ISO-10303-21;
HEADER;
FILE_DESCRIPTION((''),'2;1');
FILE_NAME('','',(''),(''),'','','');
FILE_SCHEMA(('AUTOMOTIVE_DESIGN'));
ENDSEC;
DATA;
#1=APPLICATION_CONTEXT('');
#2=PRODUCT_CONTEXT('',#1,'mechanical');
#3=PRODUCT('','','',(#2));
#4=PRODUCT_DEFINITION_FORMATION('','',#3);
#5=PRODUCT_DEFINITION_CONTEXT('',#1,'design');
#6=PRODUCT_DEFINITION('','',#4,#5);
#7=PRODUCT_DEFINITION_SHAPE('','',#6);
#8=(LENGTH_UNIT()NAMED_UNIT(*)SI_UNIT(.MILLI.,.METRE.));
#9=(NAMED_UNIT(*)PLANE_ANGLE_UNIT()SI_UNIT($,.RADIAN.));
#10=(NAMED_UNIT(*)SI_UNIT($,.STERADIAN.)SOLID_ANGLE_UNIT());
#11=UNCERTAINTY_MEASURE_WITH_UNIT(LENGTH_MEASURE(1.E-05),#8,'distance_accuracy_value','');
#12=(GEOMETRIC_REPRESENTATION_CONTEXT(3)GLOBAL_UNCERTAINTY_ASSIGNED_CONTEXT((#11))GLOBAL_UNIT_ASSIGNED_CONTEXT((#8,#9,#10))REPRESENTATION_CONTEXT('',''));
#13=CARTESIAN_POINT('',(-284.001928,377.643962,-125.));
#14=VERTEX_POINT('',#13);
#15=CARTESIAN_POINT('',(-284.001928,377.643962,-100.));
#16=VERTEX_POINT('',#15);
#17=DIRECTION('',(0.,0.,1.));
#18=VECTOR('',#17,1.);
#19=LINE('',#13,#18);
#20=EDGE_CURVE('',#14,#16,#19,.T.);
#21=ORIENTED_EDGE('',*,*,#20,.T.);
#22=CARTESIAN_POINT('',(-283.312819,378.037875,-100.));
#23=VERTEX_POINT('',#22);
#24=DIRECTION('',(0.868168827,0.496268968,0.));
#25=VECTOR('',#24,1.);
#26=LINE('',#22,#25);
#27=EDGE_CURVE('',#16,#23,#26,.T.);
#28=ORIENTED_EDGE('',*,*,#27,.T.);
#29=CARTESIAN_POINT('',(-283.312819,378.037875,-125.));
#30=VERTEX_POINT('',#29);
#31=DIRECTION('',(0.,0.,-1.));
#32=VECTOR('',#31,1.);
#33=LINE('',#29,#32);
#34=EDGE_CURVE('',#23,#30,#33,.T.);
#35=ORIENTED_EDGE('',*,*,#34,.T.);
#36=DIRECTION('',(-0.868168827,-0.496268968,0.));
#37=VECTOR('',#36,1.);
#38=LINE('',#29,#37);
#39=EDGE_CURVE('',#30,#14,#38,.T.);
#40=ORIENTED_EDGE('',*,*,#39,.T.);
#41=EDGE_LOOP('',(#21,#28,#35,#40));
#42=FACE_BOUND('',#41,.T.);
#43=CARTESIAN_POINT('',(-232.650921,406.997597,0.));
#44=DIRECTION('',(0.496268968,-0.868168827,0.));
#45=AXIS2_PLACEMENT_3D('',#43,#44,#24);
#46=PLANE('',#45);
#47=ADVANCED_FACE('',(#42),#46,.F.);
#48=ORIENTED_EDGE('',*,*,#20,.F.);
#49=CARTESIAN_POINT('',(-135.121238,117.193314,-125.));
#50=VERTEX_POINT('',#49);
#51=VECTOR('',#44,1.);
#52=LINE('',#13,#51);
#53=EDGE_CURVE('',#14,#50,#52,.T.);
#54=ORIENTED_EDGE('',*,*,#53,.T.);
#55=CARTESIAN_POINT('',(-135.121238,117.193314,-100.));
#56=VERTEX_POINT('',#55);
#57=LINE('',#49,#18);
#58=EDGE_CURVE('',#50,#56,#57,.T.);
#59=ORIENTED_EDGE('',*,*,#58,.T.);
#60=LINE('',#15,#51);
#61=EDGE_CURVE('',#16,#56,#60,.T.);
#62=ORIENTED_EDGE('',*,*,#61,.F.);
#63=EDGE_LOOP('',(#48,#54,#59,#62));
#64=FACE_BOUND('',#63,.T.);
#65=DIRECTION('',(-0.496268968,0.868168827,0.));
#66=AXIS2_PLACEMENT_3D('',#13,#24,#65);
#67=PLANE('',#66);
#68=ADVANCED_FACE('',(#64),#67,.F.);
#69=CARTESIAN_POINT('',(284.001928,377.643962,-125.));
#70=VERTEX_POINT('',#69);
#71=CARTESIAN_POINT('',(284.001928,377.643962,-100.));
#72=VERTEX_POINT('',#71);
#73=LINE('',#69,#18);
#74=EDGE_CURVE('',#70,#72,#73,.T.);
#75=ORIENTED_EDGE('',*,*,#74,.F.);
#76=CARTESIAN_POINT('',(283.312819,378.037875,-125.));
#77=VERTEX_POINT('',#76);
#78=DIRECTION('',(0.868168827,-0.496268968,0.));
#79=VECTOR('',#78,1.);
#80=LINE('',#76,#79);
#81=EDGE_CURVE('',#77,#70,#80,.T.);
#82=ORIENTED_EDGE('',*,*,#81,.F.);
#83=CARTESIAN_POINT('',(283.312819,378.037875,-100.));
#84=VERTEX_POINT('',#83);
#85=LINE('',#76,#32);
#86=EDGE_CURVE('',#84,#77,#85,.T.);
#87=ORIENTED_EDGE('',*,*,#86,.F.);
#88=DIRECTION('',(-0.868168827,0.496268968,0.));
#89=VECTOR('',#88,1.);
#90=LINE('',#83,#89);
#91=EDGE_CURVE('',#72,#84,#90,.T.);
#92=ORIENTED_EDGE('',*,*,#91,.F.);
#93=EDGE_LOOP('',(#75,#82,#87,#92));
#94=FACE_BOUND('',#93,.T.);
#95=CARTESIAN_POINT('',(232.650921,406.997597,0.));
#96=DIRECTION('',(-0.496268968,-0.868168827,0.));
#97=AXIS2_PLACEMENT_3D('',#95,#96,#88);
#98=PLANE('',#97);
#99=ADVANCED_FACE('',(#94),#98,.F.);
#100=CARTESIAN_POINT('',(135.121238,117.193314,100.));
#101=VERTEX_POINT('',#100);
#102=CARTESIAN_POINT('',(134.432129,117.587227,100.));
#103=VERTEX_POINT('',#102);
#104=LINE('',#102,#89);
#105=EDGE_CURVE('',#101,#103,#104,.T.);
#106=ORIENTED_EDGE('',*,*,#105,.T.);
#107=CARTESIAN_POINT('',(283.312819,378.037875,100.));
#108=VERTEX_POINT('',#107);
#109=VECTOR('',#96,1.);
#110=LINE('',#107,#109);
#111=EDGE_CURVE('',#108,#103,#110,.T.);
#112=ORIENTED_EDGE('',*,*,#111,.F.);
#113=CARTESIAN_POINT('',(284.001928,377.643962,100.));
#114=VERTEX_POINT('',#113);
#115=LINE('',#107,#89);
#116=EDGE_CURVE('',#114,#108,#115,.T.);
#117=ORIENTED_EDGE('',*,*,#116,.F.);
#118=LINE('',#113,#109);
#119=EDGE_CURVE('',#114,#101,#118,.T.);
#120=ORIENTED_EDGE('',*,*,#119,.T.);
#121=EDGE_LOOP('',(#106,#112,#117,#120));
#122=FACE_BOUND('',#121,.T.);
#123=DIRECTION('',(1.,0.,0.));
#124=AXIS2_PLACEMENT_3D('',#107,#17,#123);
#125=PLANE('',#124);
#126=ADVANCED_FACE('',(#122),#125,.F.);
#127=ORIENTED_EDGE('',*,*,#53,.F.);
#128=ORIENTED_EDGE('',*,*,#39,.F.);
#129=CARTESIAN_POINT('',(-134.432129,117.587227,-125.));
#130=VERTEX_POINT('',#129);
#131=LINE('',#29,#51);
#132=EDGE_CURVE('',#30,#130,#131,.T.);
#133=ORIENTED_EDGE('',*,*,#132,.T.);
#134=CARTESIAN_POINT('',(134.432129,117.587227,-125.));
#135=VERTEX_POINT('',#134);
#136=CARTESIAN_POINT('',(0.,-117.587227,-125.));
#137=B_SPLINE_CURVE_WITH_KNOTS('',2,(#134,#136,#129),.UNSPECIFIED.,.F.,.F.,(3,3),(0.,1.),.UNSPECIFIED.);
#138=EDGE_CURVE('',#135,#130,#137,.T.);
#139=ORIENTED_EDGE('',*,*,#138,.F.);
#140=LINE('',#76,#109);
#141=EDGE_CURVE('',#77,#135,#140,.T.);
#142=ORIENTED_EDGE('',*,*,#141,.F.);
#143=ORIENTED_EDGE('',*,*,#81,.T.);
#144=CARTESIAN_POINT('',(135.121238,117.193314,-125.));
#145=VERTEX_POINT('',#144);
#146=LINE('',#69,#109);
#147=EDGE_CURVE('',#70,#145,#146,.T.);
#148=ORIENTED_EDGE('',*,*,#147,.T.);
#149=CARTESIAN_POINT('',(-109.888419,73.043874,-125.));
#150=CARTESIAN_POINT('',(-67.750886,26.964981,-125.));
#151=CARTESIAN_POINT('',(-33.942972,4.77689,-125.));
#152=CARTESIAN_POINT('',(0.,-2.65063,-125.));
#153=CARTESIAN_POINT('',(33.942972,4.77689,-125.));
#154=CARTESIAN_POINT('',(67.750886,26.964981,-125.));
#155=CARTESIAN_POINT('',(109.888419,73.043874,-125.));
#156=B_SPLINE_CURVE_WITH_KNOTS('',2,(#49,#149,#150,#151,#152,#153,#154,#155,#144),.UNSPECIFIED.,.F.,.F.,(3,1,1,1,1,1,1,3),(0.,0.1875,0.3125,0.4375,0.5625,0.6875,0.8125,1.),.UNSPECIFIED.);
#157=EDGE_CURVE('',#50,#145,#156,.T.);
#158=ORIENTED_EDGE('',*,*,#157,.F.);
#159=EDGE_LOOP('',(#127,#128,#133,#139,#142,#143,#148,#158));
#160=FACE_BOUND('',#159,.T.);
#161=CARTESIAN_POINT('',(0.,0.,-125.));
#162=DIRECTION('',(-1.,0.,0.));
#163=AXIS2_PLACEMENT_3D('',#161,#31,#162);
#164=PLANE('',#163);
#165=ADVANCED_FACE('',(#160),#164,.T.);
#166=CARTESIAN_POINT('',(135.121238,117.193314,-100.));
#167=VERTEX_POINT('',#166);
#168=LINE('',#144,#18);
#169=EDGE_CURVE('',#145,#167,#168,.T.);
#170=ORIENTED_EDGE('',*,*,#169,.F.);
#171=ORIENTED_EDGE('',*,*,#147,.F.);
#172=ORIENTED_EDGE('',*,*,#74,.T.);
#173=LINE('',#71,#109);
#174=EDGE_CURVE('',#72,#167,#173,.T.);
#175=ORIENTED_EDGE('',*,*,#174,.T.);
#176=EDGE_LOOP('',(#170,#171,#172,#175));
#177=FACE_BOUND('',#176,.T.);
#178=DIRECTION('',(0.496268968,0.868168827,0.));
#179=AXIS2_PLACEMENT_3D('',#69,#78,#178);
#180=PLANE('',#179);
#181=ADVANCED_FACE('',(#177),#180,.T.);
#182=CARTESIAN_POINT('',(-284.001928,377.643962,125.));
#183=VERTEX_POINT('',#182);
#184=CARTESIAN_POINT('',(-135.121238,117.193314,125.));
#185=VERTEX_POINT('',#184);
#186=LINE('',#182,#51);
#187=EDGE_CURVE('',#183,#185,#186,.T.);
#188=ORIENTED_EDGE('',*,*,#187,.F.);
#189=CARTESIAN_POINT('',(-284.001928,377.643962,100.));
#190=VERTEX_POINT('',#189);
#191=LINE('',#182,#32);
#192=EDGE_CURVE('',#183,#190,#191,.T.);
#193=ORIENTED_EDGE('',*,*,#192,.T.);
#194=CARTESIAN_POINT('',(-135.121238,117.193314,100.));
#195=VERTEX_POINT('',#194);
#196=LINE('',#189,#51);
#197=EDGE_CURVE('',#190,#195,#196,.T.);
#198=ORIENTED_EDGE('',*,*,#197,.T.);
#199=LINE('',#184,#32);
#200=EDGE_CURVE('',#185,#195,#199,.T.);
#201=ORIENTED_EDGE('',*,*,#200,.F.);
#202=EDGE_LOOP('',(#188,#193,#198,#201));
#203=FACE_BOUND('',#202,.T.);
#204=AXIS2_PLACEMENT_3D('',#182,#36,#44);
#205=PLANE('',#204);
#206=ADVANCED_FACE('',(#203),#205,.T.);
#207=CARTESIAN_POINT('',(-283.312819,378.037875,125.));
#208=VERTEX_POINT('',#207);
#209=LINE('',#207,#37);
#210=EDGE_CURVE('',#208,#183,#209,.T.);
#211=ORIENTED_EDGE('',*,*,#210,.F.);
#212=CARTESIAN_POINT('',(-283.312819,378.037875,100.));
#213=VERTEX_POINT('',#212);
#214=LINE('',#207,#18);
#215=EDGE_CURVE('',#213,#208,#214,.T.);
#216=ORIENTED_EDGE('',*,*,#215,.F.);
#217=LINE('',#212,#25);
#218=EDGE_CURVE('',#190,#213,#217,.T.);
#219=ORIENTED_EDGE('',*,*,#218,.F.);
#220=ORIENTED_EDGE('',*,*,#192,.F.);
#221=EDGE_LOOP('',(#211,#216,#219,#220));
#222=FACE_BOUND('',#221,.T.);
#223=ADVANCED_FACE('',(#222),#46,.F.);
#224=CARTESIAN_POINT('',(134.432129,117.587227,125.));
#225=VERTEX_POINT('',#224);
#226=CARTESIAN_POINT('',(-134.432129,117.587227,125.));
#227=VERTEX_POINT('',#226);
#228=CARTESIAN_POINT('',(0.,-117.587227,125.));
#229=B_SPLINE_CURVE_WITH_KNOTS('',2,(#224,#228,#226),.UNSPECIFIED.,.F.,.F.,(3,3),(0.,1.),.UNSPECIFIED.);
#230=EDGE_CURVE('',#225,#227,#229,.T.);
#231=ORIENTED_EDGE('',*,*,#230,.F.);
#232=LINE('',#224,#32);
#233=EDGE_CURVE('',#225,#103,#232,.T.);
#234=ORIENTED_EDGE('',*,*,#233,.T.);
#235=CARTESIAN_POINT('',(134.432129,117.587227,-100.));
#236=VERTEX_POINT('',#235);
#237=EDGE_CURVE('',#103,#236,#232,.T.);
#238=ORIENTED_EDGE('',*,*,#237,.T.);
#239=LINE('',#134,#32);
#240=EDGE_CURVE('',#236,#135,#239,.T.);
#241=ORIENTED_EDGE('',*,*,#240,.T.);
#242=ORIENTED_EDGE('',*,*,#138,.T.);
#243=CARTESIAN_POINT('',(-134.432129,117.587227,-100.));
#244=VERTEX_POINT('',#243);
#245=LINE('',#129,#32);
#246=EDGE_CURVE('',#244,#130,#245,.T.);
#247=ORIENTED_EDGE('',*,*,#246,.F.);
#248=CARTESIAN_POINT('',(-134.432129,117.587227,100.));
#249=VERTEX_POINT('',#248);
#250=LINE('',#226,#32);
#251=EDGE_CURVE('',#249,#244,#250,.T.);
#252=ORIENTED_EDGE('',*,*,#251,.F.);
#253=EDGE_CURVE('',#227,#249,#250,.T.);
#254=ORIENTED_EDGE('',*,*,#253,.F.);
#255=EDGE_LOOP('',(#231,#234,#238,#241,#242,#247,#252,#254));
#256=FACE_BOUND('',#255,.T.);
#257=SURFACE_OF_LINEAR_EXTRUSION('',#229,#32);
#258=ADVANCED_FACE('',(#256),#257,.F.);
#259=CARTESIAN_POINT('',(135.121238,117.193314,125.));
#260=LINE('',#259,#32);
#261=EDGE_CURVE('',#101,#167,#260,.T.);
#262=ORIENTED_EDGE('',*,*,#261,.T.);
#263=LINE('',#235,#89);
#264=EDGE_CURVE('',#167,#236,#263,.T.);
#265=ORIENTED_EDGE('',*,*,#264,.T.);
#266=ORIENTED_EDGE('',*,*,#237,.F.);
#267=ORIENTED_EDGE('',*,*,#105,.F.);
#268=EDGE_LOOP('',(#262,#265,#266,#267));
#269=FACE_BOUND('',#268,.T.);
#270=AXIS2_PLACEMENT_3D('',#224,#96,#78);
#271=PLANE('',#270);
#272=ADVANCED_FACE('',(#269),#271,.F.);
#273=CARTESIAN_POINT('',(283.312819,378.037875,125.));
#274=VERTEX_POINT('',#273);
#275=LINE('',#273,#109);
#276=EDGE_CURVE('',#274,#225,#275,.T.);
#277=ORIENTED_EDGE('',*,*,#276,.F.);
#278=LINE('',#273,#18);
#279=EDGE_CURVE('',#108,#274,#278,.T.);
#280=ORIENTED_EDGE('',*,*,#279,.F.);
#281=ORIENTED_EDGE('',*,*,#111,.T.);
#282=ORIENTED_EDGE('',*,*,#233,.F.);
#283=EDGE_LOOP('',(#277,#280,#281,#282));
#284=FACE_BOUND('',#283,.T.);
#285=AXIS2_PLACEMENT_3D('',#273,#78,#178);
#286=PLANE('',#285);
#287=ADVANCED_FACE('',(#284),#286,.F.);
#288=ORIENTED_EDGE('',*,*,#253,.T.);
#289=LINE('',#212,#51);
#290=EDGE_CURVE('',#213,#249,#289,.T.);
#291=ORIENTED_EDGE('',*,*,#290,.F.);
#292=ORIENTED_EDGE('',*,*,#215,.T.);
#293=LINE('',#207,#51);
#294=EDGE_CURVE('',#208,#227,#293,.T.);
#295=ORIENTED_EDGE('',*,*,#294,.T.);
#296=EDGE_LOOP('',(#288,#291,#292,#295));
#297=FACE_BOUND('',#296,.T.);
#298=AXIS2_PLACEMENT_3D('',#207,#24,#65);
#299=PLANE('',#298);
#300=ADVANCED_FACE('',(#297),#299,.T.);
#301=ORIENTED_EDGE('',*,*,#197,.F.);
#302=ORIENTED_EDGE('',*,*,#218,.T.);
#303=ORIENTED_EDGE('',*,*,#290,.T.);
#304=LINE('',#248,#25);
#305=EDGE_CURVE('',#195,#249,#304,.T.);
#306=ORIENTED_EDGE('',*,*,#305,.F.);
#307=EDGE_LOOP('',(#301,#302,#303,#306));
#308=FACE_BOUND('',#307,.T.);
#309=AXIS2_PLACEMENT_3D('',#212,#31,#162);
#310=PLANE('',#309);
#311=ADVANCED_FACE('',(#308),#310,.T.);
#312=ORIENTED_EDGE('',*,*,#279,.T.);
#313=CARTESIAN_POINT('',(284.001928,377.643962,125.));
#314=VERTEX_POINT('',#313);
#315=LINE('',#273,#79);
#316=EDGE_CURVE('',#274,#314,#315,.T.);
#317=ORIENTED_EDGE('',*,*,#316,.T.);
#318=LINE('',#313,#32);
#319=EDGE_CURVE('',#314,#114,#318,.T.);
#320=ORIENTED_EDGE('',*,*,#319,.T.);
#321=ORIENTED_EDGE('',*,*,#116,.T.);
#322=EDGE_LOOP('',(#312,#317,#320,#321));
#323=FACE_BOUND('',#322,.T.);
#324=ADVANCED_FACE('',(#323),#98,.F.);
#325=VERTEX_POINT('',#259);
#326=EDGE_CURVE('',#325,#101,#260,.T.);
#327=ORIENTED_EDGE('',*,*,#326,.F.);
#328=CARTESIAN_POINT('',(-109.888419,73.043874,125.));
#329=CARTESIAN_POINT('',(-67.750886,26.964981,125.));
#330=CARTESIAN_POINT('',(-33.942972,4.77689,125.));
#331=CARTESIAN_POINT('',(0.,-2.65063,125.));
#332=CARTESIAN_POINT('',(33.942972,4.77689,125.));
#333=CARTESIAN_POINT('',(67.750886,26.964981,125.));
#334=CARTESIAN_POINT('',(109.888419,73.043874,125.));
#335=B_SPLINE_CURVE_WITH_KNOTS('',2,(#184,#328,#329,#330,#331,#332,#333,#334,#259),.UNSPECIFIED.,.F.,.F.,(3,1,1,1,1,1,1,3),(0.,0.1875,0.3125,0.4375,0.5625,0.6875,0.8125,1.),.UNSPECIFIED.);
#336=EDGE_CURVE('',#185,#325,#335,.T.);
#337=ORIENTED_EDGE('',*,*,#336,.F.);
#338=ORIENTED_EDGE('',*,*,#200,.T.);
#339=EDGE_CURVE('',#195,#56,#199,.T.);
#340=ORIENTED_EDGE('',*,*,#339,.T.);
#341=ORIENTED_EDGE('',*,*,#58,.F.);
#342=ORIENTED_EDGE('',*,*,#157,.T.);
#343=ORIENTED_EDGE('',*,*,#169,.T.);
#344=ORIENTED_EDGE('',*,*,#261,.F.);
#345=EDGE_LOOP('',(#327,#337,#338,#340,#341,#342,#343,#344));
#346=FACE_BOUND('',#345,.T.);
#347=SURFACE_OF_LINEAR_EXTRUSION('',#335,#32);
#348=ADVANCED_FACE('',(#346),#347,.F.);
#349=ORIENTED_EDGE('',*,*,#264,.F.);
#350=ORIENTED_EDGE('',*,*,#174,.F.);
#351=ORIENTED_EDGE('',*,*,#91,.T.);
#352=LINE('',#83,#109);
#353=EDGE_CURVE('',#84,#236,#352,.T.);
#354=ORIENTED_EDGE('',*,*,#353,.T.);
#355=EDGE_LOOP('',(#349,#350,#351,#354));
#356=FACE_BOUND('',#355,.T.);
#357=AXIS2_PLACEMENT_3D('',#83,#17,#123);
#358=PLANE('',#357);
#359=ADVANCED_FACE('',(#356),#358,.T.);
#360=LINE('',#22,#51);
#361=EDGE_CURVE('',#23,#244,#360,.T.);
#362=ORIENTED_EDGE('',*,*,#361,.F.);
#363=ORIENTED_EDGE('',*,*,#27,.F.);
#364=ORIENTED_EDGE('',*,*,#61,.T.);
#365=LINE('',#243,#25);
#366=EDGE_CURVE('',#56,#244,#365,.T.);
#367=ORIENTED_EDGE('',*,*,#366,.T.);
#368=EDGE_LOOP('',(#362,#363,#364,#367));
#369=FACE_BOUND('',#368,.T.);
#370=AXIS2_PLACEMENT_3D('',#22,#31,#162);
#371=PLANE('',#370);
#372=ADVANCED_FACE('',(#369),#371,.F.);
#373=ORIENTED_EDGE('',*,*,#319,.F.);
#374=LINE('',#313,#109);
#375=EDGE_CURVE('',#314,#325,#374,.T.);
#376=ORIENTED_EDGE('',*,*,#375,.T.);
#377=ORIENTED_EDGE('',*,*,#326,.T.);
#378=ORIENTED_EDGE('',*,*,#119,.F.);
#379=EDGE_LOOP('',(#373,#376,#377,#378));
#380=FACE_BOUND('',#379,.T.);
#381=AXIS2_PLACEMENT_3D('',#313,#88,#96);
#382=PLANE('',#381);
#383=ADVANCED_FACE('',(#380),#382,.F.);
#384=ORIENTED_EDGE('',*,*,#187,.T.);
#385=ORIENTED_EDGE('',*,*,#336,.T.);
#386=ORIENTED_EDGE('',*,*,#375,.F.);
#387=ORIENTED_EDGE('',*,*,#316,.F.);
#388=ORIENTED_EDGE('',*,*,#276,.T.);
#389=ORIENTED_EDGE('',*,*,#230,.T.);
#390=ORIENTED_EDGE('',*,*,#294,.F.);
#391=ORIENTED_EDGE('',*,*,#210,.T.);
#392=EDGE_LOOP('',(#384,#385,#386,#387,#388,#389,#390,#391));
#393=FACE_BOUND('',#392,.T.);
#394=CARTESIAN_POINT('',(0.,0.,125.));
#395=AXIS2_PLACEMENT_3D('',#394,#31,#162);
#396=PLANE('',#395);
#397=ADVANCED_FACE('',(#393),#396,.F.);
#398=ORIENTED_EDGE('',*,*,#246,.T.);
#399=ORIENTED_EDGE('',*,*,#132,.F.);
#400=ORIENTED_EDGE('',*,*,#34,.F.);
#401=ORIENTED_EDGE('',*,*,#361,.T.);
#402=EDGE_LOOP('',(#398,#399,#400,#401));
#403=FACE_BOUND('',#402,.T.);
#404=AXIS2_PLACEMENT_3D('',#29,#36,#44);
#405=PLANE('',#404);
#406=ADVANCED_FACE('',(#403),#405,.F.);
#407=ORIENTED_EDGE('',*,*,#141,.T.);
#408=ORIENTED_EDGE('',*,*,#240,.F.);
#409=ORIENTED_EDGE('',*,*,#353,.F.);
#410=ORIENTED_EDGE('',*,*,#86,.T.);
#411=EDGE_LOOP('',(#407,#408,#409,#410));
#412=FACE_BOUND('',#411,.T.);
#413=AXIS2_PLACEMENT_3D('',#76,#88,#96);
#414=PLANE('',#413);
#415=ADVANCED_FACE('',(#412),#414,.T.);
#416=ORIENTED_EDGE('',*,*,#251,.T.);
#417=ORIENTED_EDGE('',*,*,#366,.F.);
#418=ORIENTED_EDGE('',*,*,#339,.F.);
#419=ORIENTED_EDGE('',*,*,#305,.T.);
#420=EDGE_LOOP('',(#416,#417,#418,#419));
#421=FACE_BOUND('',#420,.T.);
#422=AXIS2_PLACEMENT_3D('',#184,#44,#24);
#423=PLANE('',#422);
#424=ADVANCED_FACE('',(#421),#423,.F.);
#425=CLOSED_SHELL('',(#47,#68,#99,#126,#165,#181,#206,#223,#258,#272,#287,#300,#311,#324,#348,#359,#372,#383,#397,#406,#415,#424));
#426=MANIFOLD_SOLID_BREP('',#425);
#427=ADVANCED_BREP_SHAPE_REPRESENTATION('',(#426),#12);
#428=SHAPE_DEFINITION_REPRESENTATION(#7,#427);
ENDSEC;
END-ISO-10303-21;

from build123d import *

# Parameters (mm, degrees)
SHEET_DEPTH             = 125
SKETCH2_W               = 0.79375
SKETCH2_H               = 25
LEGS_DEPTH              = 300
MIRROR2_COPY_1_SKETCH_W = 0.79375
MIRROR2_COPY_1_SKETCH_H = 25
MIRROR2_COPY_1_DEPTH    = 300


with BuildPart() as part:
    # Sketch1 → Sheet (new, symmetric)
    with BuildSketch(Plane.XY):
        with BuildLine():
            Line((-135.121238085, 117.193313767), (-134.432129079, 117.58722726))
            add(Edge.make_bspline(
                [(-134.432129079, 117.58722726), (0, -117.58722726), (134.432129079, 117.58722726)],
                knots=[0, 0, 0, 1, 1, 1], degree=2))
            Line((134.432129079, 117.58722726), (135.121238085, 117.193313767))
            add(Edge.make_bspline(
                [(-135.121238085, 117.193313767), (-109.888419219, 73.043874291), (-67.750885521, 26.96498113), (-33.942971604, 4.776889751), (0, -2.650629917), (33.942971604, 4.776889751), (67.750885521, 26.96498113), (109.888419219, 73.043874291), (135.121238085, 117.193313767)],
                knots=[0, 0, 0, 0.1875, 0.3125, 0.4375, 0.5625, 0.6875, 0.8125, 1, 1, 1], degree=2))
        make_face()
    extrude(amount=SHEET_DEPTH, both=True)

    # Sketch2 → Legs (add)
    with BuildSketch(Plane(origin=(-83.770231055, 146.546949218, 0), x_dir=(0.8681688267207968, 0.4962689677082734, 0), z_dir=(-0.4962689677082734, 0.8681688267207968, 0))):
        with Locations((-58.751766888, 112.5)):
            Rectangle(SKETCH2_W, SKETCH2_H)
    legs = extrude(amount=LEGS_DEPTH)

    # Mirror1: Legs across plane
    add(legs.mirror(Plane(origin=(0, 0, 0), x_dir=(0, 0, 1), z_dir=(1, 0, 0))))

    # Mirror2: Legs across plane
    add(legs.mirror(Plane.XY))

    # Mirror2 copy 1 sketch → Mirror2 copy 1 (add)
    with BuildSketch(Plane(origin=(83.770231055, 146.546949218, 0), x_dir=(-0.8681688267207968, 0.4962689677082734, 0), z_dir=(0.4962689677082734, 0.8681688267207968, 0))):
        with Locations((-58.751766888, 112.5)):
            Rectangle(MIRROR2_COPY_1_SKETCH_W, MIRROR2_COPY_1_SKETCH_H)
    extrude(amount=MIRROR2_COPY_1_DEPTH)


solid = part.part
